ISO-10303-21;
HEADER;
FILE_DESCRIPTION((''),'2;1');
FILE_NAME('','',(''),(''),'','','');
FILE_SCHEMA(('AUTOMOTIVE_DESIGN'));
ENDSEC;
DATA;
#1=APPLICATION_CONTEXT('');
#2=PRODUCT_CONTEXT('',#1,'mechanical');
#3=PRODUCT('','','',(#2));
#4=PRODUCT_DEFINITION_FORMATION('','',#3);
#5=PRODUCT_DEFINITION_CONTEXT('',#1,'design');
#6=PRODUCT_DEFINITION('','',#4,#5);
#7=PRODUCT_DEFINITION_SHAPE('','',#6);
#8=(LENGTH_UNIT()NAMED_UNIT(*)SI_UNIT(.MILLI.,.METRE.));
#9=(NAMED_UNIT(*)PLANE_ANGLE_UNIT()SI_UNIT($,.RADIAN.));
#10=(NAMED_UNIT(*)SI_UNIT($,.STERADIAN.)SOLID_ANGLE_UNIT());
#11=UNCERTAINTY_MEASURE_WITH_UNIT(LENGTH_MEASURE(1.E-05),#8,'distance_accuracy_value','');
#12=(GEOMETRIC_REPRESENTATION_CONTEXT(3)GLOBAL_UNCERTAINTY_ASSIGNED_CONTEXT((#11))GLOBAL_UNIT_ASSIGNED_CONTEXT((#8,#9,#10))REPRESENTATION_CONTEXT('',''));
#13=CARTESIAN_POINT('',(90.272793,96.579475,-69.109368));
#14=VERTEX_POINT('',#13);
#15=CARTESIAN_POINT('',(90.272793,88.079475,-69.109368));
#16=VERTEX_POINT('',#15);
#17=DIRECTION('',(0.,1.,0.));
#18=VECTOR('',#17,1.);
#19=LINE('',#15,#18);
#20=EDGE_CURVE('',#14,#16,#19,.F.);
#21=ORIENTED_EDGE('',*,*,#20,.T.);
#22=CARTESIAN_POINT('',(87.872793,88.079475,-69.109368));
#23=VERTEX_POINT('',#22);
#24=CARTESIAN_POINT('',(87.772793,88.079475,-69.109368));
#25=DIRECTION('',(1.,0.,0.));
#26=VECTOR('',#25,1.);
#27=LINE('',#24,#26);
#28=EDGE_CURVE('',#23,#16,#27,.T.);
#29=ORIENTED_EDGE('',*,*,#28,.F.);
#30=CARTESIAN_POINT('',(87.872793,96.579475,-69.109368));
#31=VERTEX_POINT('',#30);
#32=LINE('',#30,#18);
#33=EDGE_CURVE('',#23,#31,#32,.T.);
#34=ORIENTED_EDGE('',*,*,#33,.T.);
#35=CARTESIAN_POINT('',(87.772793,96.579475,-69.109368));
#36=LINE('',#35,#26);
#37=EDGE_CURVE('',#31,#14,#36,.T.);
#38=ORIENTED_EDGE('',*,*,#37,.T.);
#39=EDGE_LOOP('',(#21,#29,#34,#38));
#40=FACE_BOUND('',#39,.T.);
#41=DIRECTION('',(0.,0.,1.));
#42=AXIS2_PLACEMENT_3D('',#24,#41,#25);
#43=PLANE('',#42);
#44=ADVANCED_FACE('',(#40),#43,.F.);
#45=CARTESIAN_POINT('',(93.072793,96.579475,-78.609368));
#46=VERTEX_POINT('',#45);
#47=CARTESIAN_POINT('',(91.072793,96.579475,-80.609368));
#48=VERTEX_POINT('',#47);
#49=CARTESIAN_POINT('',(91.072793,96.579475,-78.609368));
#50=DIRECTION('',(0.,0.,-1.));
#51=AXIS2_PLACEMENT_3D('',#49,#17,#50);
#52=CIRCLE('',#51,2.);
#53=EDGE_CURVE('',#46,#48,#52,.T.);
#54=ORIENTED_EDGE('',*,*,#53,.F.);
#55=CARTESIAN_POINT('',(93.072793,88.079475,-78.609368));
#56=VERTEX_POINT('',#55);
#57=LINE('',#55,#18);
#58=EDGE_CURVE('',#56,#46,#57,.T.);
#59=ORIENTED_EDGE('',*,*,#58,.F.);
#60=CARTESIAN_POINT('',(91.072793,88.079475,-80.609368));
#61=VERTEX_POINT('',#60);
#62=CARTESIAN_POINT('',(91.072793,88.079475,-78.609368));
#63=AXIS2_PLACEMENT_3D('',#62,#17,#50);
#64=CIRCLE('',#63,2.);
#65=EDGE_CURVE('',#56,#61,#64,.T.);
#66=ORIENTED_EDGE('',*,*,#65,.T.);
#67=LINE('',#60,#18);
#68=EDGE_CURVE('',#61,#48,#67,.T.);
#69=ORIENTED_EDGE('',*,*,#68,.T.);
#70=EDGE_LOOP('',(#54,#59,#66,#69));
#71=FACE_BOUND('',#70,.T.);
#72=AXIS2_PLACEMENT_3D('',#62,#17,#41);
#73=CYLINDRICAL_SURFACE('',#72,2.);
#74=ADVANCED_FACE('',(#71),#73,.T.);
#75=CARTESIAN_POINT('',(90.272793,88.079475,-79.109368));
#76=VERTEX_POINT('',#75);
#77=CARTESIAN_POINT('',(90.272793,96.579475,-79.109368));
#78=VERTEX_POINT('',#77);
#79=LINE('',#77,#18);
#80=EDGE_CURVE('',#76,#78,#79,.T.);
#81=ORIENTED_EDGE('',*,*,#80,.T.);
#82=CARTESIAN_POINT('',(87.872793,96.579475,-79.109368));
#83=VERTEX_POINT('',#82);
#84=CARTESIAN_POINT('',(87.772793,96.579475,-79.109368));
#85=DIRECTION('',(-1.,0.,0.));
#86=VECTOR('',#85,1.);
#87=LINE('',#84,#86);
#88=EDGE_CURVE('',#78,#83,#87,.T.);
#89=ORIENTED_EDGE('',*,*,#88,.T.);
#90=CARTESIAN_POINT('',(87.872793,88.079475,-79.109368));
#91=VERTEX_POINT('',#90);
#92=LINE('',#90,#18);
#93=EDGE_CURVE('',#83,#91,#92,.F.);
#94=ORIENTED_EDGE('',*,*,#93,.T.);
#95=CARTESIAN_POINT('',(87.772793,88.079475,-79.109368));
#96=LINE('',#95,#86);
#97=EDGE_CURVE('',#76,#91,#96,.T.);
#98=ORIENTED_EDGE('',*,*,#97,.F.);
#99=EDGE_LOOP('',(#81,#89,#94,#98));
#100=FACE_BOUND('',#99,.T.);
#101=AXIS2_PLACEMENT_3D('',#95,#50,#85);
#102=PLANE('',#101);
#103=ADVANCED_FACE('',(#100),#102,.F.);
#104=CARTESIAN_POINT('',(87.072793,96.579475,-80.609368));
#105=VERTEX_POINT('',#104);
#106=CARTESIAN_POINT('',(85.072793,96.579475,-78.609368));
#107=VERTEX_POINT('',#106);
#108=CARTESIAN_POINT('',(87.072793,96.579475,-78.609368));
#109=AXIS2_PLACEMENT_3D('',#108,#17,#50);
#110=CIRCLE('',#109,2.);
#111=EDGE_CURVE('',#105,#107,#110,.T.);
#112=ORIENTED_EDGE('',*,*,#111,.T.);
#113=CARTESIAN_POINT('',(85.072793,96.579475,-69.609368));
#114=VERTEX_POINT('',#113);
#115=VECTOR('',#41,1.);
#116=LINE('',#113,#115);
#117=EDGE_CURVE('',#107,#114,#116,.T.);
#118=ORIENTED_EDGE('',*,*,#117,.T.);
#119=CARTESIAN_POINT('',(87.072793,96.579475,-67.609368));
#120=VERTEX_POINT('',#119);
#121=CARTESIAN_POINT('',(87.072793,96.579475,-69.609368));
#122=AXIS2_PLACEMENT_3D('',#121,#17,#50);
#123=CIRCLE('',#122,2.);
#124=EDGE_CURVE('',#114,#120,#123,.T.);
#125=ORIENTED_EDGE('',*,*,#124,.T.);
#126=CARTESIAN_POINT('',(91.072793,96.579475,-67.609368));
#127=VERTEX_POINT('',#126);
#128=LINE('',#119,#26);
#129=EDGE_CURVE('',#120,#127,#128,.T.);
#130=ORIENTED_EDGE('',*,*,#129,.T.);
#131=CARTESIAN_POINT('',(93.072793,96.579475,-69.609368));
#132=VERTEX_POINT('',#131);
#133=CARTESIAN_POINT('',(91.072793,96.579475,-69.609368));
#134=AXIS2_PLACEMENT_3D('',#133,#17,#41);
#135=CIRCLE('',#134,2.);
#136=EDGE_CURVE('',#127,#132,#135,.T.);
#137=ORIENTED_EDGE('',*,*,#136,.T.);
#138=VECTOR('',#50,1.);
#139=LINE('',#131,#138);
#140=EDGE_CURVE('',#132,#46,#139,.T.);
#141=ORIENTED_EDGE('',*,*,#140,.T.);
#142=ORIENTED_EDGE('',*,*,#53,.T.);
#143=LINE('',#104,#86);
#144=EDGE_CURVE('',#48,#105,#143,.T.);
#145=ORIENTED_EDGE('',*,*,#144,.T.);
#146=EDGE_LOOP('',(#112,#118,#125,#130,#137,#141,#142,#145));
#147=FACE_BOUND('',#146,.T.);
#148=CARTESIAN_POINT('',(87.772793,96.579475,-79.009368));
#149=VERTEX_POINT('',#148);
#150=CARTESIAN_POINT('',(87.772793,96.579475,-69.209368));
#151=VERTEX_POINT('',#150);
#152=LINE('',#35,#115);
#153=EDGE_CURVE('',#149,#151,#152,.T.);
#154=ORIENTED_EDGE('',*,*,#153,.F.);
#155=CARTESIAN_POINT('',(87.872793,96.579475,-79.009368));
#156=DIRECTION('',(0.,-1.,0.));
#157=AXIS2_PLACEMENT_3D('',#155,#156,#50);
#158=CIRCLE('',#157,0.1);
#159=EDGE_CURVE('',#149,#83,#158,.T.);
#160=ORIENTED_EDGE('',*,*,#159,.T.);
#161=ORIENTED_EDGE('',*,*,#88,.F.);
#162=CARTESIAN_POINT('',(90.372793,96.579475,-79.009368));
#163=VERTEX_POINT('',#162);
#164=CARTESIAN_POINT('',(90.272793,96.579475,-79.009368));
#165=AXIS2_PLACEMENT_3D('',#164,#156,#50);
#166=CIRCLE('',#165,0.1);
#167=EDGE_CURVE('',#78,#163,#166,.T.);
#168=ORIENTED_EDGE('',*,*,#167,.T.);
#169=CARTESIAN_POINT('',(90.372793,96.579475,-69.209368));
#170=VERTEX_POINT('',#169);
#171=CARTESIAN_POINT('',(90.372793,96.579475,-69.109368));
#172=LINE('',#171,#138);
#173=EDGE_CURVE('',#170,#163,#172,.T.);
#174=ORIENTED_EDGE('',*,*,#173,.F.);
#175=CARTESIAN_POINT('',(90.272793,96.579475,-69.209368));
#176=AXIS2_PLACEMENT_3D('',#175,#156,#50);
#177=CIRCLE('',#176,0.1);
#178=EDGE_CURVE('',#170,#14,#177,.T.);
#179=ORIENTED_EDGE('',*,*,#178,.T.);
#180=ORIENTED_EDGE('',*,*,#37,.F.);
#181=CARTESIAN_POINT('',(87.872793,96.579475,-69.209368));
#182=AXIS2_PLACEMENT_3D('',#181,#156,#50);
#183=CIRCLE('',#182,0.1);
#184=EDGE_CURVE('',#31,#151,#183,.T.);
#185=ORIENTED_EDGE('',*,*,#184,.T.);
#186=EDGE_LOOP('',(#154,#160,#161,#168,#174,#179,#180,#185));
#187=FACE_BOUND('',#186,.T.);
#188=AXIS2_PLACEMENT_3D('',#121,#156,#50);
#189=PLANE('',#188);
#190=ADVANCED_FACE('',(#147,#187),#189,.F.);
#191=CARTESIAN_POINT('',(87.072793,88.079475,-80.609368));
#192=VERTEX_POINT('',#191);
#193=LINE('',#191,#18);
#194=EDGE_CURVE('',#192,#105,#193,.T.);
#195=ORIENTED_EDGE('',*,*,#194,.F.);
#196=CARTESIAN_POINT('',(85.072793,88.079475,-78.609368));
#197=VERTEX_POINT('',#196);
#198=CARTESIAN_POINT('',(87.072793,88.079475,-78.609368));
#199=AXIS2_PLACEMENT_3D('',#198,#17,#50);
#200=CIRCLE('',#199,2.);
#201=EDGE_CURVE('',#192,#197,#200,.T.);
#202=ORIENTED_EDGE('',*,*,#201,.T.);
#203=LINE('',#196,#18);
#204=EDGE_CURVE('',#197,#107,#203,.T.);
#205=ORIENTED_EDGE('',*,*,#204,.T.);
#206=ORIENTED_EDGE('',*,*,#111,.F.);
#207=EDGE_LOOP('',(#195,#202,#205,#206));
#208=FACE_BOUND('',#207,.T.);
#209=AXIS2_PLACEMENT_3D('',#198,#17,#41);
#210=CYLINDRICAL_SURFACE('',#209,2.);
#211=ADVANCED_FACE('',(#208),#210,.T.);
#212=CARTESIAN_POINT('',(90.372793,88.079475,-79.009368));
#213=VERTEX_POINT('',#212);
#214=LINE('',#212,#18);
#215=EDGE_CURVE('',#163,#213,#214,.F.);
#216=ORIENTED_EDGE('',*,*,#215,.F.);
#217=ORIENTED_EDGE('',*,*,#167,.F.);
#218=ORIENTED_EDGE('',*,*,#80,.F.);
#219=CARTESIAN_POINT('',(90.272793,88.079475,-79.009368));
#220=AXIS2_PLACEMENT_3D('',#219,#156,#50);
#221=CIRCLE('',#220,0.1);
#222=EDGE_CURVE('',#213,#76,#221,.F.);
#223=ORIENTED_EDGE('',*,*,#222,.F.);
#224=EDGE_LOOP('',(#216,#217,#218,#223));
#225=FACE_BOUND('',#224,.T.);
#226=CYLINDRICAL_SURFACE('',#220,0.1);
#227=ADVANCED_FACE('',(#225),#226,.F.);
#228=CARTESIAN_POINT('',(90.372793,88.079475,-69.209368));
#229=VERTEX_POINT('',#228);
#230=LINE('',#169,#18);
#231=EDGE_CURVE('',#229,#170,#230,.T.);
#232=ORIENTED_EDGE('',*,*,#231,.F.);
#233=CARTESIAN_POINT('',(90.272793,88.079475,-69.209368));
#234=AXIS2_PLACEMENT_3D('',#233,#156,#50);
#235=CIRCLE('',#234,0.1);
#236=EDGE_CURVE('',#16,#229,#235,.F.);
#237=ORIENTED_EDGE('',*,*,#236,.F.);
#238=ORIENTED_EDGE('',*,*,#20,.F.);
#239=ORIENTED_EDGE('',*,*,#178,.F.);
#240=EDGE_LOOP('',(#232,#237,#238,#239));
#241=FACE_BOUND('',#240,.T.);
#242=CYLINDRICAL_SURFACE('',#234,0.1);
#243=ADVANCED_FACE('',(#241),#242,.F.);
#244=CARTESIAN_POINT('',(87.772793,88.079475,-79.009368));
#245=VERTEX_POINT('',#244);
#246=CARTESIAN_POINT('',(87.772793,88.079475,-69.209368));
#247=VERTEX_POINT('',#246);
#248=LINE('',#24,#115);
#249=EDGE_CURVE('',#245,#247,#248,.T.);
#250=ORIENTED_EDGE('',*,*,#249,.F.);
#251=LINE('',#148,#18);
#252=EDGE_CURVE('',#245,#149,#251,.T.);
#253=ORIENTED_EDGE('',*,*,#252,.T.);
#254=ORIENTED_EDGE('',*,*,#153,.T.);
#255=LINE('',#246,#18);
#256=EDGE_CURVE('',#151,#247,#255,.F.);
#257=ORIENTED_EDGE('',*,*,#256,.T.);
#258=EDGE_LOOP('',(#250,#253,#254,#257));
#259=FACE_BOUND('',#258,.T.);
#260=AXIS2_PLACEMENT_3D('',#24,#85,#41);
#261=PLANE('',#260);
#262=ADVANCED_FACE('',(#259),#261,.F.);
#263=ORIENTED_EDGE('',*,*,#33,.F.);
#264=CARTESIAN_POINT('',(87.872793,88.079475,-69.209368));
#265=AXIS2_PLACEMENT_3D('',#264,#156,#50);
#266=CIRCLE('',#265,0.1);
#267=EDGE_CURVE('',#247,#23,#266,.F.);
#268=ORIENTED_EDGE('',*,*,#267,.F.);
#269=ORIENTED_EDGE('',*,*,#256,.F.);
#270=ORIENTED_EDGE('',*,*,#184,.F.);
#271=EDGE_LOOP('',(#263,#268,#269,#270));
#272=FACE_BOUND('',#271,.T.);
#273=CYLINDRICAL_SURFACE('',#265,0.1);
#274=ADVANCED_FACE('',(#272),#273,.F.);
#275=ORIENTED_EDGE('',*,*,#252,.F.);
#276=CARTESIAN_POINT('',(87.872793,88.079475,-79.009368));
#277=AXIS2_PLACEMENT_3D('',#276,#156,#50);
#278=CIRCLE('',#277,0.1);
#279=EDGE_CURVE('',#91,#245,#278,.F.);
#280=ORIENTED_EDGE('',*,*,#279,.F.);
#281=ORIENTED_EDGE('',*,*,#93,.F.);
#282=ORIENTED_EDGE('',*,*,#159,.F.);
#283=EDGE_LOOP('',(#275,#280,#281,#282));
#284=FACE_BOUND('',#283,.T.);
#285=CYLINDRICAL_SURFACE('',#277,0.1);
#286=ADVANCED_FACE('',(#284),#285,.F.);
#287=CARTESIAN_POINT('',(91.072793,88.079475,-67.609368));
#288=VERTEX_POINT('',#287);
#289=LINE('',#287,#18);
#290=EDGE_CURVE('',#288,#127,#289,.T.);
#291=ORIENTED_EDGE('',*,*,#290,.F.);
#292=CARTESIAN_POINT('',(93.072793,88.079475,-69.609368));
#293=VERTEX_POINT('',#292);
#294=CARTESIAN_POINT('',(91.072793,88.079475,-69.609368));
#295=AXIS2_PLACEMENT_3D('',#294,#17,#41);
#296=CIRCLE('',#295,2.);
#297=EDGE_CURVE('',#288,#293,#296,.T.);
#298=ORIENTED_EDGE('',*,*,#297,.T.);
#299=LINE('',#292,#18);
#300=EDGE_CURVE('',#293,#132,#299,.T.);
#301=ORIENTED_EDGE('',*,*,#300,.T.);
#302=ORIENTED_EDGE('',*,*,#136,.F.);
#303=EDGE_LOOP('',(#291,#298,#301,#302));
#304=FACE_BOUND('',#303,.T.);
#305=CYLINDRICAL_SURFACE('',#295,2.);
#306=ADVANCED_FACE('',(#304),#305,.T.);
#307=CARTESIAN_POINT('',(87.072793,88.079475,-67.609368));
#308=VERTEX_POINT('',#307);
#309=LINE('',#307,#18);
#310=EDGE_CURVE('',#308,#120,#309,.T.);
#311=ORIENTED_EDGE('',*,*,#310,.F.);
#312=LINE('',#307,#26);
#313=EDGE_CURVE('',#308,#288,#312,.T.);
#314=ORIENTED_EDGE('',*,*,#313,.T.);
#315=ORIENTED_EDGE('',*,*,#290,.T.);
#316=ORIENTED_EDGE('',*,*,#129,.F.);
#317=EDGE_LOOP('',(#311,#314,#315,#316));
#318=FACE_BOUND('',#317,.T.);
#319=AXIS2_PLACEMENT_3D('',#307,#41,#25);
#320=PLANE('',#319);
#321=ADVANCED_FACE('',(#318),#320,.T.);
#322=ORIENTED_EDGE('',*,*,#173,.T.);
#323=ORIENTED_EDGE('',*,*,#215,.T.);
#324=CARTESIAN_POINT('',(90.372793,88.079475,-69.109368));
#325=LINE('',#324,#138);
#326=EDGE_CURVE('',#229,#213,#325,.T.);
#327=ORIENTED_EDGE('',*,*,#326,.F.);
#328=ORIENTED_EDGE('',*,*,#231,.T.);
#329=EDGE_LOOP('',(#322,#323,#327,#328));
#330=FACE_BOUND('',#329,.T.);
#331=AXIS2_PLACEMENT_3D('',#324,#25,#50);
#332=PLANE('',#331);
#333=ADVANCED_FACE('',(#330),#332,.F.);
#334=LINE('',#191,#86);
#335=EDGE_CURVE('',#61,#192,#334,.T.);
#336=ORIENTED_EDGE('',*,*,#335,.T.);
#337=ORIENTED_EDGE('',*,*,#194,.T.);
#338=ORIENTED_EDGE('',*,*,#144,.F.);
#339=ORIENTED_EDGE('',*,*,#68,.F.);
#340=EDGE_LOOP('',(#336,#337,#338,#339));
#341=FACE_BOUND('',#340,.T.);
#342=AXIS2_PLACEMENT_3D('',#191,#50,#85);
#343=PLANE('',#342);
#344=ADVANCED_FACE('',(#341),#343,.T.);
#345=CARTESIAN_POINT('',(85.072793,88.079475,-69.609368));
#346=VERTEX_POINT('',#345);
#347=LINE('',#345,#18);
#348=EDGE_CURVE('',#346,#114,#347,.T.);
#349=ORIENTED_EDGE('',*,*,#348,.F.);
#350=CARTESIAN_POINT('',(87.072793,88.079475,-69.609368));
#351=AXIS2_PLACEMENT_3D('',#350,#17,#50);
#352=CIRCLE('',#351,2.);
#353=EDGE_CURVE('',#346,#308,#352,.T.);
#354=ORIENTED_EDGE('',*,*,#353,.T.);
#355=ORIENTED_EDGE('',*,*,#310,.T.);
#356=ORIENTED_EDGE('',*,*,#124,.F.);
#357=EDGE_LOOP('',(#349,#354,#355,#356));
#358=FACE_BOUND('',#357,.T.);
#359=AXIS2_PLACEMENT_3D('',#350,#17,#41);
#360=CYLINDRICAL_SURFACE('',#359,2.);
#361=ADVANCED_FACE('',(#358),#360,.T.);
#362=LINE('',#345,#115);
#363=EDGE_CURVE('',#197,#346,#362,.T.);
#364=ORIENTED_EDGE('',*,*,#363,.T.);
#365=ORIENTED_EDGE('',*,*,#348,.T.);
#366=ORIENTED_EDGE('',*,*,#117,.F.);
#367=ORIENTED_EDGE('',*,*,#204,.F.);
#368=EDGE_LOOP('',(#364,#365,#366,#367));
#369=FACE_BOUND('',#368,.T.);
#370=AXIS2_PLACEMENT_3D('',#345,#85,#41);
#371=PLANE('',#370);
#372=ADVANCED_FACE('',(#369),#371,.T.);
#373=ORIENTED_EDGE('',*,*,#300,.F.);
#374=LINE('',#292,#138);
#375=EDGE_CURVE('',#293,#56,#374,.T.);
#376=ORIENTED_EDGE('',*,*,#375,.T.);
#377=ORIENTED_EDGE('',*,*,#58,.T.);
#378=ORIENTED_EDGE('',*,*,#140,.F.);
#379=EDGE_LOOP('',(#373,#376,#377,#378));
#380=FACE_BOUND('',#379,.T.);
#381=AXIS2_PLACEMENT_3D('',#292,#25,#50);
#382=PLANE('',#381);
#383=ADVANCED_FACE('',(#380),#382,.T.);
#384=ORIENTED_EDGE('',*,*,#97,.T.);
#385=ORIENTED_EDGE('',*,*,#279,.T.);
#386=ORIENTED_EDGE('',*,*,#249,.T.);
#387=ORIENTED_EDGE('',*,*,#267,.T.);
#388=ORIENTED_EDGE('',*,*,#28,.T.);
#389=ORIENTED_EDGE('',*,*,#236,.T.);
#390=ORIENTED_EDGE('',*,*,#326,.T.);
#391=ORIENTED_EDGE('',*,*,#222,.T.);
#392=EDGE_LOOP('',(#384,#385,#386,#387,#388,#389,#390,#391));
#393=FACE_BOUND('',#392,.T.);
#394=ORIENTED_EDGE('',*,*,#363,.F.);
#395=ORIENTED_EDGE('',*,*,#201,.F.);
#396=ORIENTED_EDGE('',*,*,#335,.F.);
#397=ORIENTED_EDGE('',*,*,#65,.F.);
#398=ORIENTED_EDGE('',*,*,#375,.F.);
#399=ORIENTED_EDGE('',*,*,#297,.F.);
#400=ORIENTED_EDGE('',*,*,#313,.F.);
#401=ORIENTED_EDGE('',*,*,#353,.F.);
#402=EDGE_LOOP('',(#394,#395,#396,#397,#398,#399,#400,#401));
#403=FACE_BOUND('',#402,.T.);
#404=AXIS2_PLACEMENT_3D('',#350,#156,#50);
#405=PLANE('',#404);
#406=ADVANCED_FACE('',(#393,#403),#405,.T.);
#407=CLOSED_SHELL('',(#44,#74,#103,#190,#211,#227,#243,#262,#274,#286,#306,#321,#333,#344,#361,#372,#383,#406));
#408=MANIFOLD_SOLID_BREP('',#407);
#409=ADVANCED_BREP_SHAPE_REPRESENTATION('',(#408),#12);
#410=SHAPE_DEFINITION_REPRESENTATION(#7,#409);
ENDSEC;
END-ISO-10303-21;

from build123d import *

# Parameters (mm, degrees)
COIL_START = -0.7
SKETCH1_W  = 2.6
SKETCH1_H  = 10
COIL_DEPTH = 8.5
FILLET1_R  = 0.1


with BuildPart() as part:
    # Sketch1 → Coil (new body)
    with BuildSketch(Plane(origin=(0, 97.279475289, 0), x_dir=(1, 0, 0), z_dir=(0, 1, 0)).offset(COIL_START)):
        with BuildLine():
            Line((87.072792821, 67.609367759), (91.072792821, 67.609367759))
            ThreePointArc((91.072792821, 67.609367759), (92.487006384, 68.195154196), (93.072792821, 69.609367759))
            Line((93.072792821, 69.609367759), (93.072792821, 78.609367759))
            ThreePointArc((93.072792821, 78.609367759), (92.487006384, 80.023581321), (91.072792821, 80.609367759))
            Line((91.072792821, 80.609367759), (87.072792821, 80.609367759))
            ThreePointArc((87.072792821, 80.609367759), (85.658579259, 80.023581321), (85.072792821, 78.609367759))
            Line((85.072792821, 78.609367759), (85.072792821, 69.609367759))
            ThreePointArc((85.072792821, 69.609367759), (85.658579259, 68.195154196), (87.072792821, 67.609367759))
        make_face()
        with Locations((89.072792821, 74.109367759)):
            Rectangle(SKETCH1_W, SKETCH1_H, mode=Mode.SUBTRACT)
    extrude(amount=-COIL_DEPTH)

    # Fillet1
    fillet1_edges = [part.edges().sort_by_distance(p)[0] for p in [
        (90.372792821, 92.329475289, -79.109367759),
        (90.372792821, 92.329475289, -69.109367759),
        (87.772792821, 92.329475289, -69.109367759),
        (87.772792821, 92.329475289, -79.109367759),
    ]]
    fillet(fillet1_edges, radius=FILLET1_R)


solid = part.part
